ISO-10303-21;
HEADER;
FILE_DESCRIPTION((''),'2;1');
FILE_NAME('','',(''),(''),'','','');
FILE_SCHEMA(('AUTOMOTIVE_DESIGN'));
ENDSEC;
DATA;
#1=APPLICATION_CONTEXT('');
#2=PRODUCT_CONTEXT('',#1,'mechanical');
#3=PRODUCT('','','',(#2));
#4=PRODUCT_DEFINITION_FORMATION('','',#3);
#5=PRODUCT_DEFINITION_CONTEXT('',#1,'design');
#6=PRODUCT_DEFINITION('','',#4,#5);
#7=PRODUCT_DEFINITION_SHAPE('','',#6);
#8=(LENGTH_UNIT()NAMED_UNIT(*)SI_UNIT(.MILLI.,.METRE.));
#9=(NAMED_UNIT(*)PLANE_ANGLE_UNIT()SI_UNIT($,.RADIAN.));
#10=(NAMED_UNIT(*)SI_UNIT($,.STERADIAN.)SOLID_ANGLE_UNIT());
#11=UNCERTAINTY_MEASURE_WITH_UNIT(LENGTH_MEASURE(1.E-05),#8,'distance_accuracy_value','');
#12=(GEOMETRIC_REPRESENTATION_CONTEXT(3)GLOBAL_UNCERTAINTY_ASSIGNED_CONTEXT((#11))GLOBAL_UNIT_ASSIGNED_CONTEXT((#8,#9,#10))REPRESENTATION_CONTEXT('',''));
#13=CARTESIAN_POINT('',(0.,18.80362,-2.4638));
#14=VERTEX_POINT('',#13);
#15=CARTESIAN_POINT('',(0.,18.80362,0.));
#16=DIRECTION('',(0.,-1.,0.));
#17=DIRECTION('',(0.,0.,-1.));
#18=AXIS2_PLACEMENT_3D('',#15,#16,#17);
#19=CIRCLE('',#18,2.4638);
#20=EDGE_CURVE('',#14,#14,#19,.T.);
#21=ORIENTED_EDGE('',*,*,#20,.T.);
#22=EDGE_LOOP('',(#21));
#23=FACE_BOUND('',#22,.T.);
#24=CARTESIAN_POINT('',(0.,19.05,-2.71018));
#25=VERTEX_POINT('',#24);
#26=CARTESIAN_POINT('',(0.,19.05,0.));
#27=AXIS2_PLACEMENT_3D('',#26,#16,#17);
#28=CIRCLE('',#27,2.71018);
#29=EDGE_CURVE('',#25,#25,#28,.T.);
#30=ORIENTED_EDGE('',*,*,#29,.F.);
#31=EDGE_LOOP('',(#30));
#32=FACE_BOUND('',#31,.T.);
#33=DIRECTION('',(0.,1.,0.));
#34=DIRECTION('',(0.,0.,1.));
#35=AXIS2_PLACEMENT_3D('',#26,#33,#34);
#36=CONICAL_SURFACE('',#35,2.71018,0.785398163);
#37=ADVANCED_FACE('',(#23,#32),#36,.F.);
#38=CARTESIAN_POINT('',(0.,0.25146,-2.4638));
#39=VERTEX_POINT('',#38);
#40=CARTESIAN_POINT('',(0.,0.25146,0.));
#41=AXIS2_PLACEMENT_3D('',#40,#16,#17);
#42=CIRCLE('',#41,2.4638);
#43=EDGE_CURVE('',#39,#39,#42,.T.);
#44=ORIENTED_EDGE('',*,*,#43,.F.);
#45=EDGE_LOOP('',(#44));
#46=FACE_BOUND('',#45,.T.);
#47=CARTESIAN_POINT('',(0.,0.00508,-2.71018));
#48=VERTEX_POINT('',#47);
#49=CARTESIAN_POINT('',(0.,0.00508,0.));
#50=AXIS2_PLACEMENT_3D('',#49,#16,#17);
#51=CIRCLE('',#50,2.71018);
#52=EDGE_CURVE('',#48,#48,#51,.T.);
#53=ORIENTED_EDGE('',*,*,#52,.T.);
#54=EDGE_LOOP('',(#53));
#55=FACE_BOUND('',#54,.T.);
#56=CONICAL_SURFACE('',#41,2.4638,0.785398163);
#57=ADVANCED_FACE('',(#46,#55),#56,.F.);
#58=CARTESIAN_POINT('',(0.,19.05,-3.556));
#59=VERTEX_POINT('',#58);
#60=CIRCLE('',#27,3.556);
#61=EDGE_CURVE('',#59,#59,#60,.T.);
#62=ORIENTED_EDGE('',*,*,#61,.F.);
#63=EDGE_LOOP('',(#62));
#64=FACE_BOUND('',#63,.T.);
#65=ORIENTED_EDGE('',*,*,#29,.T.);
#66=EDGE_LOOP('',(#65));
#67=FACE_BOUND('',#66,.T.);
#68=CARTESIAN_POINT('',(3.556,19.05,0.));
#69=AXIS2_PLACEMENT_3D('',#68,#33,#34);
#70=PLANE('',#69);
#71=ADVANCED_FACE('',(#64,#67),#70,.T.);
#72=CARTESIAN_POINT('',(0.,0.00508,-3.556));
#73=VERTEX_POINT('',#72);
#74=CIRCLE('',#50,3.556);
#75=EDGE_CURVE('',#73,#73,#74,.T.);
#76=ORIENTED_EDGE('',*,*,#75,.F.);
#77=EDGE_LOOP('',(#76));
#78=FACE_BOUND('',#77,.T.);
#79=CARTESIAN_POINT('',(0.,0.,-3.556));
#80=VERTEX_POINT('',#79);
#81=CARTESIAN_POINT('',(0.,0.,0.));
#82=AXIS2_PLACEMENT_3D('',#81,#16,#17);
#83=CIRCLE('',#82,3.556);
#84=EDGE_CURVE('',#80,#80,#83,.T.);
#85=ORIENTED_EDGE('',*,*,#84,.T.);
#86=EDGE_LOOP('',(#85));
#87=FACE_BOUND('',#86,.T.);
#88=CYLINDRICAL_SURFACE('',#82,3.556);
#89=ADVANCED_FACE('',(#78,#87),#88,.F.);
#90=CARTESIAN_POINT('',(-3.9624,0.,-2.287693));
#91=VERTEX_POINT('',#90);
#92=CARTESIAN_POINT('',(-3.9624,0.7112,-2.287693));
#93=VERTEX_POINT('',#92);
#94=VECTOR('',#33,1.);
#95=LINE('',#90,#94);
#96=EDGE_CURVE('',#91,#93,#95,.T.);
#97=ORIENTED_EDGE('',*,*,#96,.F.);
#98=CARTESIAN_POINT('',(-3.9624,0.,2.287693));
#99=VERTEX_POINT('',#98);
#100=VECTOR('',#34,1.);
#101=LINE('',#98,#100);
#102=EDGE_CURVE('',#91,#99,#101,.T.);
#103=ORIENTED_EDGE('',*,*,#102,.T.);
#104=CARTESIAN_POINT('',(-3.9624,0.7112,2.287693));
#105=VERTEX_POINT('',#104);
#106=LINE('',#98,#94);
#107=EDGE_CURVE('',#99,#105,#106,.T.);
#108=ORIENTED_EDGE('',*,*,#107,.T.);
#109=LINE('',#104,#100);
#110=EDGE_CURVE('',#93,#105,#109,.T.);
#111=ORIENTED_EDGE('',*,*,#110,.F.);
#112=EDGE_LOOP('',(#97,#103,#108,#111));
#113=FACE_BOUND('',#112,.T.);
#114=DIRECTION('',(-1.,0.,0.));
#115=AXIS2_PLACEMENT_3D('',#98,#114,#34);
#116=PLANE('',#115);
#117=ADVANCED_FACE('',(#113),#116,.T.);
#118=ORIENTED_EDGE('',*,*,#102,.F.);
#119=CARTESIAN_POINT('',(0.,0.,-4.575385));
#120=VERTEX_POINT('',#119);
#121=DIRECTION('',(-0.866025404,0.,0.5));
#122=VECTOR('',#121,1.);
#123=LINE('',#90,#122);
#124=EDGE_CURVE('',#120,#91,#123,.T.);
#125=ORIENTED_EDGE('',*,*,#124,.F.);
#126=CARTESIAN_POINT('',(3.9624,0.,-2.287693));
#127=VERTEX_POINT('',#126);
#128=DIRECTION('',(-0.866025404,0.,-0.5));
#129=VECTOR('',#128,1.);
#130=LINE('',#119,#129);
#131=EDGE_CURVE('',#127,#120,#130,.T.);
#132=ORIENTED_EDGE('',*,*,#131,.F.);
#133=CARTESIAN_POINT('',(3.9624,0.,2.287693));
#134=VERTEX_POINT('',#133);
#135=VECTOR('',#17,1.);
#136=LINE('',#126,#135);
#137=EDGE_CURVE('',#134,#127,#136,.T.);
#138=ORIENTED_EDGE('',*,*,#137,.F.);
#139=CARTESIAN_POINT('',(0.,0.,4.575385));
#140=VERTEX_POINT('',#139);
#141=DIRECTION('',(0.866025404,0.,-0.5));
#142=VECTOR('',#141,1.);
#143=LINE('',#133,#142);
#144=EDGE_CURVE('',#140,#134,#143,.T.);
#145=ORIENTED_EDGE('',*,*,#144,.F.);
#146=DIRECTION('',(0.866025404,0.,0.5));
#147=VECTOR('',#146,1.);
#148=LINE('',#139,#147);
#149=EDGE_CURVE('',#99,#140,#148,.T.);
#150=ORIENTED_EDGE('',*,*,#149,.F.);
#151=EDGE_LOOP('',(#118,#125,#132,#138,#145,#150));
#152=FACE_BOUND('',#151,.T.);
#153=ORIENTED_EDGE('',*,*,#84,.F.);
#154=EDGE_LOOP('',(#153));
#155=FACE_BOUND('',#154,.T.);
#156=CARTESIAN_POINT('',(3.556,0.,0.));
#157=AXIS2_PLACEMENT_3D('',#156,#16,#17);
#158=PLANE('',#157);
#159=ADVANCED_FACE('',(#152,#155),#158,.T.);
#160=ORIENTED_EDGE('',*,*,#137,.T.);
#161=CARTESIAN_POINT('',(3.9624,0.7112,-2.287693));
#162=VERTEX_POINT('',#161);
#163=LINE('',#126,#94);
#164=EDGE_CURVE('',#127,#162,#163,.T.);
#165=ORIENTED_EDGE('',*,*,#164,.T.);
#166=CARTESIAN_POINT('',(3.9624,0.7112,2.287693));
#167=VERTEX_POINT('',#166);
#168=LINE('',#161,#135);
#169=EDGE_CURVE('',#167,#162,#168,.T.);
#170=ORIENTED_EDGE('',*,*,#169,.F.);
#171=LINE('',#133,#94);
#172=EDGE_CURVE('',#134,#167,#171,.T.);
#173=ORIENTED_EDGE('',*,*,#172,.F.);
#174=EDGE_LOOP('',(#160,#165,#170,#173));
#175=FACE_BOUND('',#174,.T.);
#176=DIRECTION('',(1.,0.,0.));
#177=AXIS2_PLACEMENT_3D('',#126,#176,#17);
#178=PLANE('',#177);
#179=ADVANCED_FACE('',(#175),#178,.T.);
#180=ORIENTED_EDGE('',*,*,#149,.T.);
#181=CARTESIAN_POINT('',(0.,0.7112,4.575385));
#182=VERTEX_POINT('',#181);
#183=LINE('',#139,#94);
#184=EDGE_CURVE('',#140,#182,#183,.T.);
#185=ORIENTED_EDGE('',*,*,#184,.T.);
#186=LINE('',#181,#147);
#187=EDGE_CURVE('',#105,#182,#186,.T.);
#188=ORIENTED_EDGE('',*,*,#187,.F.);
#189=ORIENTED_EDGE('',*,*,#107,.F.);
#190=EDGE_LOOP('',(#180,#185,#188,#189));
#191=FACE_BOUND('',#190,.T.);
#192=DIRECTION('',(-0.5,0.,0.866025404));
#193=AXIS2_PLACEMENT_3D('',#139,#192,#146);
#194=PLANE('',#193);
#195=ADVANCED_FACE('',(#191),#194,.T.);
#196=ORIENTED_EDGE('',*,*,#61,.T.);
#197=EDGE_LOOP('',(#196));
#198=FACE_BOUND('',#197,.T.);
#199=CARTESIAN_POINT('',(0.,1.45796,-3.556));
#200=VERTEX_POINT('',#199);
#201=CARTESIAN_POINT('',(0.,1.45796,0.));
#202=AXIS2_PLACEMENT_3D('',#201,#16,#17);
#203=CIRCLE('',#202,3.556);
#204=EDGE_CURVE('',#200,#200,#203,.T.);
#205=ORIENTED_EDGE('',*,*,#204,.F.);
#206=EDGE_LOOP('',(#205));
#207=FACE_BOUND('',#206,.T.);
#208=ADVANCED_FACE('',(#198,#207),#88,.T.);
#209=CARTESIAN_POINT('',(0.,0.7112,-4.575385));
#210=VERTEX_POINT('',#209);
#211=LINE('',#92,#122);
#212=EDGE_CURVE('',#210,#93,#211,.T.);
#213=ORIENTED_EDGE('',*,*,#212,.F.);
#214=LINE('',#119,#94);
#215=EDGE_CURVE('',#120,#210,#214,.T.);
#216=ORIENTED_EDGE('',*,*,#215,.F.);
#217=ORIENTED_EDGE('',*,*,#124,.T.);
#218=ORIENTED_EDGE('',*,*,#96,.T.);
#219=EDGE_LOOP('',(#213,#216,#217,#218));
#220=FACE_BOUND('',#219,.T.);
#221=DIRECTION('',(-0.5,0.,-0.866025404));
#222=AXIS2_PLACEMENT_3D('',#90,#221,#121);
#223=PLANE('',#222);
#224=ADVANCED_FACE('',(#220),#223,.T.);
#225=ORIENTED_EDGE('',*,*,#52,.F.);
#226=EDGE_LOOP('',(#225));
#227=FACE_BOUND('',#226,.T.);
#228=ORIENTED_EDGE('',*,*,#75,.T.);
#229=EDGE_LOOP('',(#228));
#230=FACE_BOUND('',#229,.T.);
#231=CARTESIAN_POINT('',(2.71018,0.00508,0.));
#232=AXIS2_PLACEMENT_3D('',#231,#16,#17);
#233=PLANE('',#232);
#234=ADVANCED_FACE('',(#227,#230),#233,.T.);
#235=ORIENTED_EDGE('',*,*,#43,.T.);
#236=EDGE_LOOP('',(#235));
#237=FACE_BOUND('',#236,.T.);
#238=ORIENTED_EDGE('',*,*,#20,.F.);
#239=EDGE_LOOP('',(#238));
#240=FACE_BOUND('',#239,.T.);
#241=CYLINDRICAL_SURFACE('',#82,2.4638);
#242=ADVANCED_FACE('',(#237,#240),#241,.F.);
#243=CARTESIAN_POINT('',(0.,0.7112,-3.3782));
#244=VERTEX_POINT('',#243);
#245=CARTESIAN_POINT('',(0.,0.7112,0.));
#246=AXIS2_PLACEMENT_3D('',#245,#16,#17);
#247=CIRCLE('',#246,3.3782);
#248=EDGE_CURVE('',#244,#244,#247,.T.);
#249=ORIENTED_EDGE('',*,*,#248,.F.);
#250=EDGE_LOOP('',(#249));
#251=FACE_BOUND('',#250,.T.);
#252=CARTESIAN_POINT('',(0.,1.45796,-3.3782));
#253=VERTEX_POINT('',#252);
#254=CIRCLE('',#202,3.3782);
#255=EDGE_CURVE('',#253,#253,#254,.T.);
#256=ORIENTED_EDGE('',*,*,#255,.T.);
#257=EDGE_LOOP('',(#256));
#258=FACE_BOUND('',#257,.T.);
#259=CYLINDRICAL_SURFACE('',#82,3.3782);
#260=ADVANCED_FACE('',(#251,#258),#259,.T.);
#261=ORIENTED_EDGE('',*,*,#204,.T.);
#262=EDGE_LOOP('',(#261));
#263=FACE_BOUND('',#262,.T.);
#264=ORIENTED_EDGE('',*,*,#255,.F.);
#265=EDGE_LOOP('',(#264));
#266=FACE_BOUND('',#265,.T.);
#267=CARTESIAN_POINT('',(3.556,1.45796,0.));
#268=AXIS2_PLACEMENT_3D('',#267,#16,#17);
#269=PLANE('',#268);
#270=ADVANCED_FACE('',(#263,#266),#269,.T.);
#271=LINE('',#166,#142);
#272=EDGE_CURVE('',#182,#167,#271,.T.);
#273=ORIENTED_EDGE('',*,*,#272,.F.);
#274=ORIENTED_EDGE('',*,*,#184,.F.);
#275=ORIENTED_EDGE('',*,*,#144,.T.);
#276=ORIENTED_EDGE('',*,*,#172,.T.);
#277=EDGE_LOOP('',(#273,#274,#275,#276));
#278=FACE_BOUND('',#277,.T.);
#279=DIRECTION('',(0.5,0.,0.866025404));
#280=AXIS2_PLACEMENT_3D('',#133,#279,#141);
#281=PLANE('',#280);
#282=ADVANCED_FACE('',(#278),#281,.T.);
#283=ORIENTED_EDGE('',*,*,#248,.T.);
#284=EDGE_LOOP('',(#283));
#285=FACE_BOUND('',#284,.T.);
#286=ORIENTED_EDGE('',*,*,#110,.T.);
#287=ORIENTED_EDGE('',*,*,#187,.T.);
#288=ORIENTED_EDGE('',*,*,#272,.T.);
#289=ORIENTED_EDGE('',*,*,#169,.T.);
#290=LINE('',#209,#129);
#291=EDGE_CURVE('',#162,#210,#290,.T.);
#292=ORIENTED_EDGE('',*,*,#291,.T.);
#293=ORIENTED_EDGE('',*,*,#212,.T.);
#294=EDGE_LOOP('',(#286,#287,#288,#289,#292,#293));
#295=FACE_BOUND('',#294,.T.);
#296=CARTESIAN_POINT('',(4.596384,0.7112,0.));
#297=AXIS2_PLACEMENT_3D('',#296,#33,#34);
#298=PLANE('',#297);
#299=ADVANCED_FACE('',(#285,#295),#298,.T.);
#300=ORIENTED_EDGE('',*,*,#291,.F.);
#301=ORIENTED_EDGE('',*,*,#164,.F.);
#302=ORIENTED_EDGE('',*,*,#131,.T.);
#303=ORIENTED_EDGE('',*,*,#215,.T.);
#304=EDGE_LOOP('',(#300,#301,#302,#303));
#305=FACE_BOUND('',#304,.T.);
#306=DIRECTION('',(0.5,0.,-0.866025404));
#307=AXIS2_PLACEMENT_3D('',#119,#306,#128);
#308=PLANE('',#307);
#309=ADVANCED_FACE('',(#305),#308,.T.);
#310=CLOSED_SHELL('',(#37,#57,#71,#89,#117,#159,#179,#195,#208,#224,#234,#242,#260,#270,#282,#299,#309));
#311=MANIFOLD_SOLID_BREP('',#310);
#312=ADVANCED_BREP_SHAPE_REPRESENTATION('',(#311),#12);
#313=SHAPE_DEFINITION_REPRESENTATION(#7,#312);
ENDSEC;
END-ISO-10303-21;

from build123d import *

# Parameters (mm, degrees)
HEXDIESKE_R  = 4.609084
HEXDIE_DEPTH = 0.7112


with BuildPart() as part:
    # BodySke → Body (revolve)
    with BuildSketch(Plane.XY, mode=Mode.PRIVATE) as body_sk:
        Polygon((3.556, 0), (4.596384, 0), (4.596384, 0.7112), (3.3782, 0.7112), (3.3782, 1.45796), (3.556, 1.45796), (3.556, 19.05), (2.71018, 19.05), (2.4638, 18.80362), (2.4638, 0.25146), (2.71018, 0.00508), (3.556, 0.00508), align=None)
    revolve(body_sk.sketch.rotate(Axis((0, 0, 0), (0, 1, 0)), 90), axis=Axis((0, 0, 0), (0, 1, 0)))

    # HexDieSke → HexDie (cut)
    with BuildSketch(Plane(origin=(0, 0.7112, 0), x_dir=(-1, 0, 0), z_dir=(0, 1, 0))):
        Circle(HEXDIESKE_R)
        Polygon((0, 4.575385413), (3.9624, 2.287692707), (3.9624, -2.287692707), (0, -4.575385413), (-3.9624, -2.287692707), (-3.9624, 2.287692707), align=None, mode=Mode.SUBTRACT)
    extrude(amount=-HEXDIE_DEPTH, mode=Mode.SUBTRACT)


solid = part.part
